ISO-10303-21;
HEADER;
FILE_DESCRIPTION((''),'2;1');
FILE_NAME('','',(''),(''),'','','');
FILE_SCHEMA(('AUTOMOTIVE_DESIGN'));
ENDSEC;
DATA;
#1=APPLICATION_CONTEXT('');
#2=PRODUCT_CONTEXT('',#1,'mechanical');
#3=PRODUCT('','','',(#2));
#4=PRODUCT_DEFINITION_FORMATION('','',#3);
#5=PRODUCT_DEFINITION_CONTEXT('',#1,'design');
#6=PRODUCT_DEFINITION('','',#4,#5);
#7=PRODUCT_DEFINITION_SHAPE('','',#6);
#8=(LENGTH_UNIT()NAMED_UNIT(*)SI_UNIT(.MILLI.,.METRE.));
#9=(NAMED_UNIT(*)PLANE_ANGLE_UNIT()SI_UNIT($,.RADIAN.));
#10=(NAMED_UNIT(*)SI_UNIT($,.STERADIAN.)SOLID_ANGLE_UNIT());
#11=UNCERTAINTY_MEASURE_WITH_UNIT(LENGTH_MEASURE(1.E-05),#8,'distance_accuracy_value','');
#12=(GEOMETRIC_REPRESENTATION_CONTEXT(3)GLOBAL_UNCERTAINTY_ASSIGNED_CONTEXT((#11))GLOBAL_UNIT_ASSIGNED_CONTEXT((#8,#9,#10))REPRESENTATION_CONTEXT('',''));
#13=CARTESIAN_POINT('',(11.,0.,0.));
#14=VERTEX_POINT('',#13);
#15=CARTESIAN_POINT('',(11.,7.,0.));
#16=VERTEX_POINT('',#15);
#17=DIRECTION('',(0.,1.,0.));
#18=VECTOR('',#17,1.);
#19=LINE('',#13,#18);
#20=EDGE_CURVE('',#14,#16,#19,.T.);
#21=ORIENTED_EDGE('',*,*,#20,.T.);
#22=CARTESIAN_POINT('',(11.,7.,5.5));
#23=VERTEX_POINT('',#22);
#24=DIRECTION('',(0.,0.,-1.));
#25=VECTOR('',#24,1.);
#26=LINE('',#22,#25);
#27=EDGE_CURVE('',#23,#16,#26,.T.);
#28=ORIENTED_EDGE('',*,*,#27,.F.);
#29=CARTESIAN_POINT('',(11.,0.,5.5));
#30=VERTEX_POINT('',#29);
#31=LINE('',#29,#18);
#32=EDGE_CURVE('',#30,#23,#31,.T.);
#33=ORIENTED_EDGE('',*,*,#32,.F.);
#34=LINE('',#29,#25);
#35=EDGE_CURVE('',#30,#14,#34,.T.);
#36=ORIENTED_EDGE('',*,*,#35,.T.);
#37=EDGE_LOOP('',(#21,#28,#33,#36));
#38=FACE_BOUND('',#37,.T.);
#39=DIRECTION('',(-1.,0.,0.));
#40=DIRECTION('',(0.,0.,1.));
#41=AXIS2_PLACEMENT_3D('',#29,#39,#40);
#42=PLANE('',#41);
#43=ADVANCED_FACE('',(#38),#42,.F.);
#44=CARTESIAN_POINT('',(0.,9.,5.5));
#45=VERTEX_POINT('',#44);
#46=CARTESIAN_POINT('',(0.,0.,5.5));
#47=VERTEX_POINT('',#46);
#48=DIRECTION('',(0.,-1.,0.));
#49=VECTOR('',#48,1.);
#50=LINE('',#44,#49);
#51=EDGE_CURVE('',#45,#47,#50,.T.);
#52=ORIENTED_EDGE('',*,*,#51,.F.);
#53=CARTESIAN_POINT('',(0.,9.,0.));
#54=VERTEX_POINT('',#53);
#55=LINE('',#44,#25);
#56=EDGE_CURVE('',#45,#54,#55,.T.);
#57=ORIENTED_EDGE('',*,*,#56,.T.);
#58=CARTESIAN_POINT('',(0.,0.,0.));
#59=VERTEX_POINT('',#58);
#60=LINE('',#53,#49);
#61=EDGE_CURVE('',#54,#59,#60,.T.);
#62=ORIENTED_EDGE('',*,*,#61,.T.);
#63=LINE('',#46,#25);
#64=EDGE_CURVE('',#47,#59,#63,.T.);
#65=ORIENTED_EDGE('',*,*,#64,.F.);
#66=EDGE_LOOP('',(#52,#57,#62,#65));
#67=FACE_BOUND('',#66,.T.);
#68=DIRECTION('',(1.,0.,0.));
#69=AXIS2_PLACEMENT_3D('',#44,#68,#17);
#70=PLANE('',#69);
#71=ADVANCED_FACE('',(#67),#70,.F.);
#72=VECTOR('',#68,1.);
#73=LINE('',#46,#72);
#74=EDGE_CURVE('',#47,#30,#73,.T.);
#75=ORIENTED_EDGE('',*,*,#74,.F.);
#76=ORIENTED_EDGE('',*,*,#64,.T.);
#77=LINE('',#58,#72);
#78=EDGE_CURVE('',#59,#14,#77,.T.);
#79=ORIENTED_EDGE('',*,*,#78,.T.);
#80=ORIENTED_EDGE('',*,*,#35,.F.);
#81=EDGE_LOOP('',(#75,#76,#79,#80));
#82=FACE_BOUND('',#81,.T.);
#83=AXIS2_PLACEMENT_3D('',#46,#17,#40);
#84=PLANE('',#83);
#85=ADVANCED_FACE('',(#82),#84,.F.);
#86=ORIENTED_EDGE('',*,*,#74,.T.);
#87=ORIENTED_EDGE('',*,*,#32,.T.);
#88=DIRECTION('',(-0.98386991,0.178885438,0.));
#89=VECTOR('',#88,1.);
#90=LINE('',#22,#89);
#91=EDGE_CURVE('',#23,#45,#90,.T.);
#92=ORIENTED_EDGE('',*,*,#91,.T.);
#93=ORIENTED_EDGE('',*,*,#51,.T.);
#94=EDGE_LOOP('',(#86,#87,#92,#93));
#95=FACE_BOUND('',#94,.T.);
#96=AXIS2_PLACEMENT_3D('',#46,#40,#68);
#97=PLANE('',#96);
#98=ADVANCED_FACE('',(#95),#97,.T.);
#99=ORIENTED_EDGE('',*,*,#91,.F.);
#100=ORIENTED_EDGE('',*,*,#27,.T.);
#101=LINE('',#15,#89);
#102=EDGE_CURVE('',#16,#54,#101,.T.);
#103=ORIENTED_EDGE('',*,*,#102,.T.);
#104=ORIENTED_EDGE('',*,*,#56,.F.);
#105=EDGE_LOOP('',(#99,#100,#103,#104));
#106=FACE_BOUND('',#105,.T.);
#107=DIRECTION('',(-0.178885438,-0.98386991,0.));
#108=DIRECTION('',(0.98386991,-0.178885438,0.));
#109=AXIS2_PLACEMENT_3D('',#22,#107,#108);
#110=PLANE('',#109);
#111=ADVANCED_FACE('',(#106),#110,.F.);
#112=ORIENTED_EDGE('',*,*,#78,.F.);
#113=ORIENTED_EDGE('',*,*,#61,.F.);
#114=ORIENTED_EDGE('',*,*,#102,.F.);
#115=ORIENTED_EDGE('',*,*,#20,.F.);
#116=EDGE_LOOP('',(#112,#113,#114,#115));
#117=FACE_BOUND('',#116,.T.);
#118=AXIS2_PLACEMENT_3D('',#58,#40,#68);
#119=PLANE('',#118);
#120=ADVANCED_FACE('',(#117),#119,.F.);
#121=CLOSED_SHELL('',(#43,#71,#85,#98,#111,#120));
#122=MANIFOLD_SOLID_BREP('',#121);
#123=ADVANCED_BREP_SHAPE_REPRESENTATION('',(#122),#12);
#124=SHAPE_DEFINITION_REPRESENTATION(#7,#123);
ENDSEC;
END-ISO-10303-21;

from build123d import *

# Parameters (mm, degrees)
EXTRUDE_1_DEPTH = 5.5


with BuildPart() as part:
    # ｽｹｯﾁ1 → ﾎﾞｽ - 押し出し1 (new body)
    with BuildSketch(Plane.XY):
        Polygon((0, 0), (11, 0), (11, 7), (0, 9), align=None)
    extrude(amount=EXTRUDE_1_DEPTH)


solid = part.part
